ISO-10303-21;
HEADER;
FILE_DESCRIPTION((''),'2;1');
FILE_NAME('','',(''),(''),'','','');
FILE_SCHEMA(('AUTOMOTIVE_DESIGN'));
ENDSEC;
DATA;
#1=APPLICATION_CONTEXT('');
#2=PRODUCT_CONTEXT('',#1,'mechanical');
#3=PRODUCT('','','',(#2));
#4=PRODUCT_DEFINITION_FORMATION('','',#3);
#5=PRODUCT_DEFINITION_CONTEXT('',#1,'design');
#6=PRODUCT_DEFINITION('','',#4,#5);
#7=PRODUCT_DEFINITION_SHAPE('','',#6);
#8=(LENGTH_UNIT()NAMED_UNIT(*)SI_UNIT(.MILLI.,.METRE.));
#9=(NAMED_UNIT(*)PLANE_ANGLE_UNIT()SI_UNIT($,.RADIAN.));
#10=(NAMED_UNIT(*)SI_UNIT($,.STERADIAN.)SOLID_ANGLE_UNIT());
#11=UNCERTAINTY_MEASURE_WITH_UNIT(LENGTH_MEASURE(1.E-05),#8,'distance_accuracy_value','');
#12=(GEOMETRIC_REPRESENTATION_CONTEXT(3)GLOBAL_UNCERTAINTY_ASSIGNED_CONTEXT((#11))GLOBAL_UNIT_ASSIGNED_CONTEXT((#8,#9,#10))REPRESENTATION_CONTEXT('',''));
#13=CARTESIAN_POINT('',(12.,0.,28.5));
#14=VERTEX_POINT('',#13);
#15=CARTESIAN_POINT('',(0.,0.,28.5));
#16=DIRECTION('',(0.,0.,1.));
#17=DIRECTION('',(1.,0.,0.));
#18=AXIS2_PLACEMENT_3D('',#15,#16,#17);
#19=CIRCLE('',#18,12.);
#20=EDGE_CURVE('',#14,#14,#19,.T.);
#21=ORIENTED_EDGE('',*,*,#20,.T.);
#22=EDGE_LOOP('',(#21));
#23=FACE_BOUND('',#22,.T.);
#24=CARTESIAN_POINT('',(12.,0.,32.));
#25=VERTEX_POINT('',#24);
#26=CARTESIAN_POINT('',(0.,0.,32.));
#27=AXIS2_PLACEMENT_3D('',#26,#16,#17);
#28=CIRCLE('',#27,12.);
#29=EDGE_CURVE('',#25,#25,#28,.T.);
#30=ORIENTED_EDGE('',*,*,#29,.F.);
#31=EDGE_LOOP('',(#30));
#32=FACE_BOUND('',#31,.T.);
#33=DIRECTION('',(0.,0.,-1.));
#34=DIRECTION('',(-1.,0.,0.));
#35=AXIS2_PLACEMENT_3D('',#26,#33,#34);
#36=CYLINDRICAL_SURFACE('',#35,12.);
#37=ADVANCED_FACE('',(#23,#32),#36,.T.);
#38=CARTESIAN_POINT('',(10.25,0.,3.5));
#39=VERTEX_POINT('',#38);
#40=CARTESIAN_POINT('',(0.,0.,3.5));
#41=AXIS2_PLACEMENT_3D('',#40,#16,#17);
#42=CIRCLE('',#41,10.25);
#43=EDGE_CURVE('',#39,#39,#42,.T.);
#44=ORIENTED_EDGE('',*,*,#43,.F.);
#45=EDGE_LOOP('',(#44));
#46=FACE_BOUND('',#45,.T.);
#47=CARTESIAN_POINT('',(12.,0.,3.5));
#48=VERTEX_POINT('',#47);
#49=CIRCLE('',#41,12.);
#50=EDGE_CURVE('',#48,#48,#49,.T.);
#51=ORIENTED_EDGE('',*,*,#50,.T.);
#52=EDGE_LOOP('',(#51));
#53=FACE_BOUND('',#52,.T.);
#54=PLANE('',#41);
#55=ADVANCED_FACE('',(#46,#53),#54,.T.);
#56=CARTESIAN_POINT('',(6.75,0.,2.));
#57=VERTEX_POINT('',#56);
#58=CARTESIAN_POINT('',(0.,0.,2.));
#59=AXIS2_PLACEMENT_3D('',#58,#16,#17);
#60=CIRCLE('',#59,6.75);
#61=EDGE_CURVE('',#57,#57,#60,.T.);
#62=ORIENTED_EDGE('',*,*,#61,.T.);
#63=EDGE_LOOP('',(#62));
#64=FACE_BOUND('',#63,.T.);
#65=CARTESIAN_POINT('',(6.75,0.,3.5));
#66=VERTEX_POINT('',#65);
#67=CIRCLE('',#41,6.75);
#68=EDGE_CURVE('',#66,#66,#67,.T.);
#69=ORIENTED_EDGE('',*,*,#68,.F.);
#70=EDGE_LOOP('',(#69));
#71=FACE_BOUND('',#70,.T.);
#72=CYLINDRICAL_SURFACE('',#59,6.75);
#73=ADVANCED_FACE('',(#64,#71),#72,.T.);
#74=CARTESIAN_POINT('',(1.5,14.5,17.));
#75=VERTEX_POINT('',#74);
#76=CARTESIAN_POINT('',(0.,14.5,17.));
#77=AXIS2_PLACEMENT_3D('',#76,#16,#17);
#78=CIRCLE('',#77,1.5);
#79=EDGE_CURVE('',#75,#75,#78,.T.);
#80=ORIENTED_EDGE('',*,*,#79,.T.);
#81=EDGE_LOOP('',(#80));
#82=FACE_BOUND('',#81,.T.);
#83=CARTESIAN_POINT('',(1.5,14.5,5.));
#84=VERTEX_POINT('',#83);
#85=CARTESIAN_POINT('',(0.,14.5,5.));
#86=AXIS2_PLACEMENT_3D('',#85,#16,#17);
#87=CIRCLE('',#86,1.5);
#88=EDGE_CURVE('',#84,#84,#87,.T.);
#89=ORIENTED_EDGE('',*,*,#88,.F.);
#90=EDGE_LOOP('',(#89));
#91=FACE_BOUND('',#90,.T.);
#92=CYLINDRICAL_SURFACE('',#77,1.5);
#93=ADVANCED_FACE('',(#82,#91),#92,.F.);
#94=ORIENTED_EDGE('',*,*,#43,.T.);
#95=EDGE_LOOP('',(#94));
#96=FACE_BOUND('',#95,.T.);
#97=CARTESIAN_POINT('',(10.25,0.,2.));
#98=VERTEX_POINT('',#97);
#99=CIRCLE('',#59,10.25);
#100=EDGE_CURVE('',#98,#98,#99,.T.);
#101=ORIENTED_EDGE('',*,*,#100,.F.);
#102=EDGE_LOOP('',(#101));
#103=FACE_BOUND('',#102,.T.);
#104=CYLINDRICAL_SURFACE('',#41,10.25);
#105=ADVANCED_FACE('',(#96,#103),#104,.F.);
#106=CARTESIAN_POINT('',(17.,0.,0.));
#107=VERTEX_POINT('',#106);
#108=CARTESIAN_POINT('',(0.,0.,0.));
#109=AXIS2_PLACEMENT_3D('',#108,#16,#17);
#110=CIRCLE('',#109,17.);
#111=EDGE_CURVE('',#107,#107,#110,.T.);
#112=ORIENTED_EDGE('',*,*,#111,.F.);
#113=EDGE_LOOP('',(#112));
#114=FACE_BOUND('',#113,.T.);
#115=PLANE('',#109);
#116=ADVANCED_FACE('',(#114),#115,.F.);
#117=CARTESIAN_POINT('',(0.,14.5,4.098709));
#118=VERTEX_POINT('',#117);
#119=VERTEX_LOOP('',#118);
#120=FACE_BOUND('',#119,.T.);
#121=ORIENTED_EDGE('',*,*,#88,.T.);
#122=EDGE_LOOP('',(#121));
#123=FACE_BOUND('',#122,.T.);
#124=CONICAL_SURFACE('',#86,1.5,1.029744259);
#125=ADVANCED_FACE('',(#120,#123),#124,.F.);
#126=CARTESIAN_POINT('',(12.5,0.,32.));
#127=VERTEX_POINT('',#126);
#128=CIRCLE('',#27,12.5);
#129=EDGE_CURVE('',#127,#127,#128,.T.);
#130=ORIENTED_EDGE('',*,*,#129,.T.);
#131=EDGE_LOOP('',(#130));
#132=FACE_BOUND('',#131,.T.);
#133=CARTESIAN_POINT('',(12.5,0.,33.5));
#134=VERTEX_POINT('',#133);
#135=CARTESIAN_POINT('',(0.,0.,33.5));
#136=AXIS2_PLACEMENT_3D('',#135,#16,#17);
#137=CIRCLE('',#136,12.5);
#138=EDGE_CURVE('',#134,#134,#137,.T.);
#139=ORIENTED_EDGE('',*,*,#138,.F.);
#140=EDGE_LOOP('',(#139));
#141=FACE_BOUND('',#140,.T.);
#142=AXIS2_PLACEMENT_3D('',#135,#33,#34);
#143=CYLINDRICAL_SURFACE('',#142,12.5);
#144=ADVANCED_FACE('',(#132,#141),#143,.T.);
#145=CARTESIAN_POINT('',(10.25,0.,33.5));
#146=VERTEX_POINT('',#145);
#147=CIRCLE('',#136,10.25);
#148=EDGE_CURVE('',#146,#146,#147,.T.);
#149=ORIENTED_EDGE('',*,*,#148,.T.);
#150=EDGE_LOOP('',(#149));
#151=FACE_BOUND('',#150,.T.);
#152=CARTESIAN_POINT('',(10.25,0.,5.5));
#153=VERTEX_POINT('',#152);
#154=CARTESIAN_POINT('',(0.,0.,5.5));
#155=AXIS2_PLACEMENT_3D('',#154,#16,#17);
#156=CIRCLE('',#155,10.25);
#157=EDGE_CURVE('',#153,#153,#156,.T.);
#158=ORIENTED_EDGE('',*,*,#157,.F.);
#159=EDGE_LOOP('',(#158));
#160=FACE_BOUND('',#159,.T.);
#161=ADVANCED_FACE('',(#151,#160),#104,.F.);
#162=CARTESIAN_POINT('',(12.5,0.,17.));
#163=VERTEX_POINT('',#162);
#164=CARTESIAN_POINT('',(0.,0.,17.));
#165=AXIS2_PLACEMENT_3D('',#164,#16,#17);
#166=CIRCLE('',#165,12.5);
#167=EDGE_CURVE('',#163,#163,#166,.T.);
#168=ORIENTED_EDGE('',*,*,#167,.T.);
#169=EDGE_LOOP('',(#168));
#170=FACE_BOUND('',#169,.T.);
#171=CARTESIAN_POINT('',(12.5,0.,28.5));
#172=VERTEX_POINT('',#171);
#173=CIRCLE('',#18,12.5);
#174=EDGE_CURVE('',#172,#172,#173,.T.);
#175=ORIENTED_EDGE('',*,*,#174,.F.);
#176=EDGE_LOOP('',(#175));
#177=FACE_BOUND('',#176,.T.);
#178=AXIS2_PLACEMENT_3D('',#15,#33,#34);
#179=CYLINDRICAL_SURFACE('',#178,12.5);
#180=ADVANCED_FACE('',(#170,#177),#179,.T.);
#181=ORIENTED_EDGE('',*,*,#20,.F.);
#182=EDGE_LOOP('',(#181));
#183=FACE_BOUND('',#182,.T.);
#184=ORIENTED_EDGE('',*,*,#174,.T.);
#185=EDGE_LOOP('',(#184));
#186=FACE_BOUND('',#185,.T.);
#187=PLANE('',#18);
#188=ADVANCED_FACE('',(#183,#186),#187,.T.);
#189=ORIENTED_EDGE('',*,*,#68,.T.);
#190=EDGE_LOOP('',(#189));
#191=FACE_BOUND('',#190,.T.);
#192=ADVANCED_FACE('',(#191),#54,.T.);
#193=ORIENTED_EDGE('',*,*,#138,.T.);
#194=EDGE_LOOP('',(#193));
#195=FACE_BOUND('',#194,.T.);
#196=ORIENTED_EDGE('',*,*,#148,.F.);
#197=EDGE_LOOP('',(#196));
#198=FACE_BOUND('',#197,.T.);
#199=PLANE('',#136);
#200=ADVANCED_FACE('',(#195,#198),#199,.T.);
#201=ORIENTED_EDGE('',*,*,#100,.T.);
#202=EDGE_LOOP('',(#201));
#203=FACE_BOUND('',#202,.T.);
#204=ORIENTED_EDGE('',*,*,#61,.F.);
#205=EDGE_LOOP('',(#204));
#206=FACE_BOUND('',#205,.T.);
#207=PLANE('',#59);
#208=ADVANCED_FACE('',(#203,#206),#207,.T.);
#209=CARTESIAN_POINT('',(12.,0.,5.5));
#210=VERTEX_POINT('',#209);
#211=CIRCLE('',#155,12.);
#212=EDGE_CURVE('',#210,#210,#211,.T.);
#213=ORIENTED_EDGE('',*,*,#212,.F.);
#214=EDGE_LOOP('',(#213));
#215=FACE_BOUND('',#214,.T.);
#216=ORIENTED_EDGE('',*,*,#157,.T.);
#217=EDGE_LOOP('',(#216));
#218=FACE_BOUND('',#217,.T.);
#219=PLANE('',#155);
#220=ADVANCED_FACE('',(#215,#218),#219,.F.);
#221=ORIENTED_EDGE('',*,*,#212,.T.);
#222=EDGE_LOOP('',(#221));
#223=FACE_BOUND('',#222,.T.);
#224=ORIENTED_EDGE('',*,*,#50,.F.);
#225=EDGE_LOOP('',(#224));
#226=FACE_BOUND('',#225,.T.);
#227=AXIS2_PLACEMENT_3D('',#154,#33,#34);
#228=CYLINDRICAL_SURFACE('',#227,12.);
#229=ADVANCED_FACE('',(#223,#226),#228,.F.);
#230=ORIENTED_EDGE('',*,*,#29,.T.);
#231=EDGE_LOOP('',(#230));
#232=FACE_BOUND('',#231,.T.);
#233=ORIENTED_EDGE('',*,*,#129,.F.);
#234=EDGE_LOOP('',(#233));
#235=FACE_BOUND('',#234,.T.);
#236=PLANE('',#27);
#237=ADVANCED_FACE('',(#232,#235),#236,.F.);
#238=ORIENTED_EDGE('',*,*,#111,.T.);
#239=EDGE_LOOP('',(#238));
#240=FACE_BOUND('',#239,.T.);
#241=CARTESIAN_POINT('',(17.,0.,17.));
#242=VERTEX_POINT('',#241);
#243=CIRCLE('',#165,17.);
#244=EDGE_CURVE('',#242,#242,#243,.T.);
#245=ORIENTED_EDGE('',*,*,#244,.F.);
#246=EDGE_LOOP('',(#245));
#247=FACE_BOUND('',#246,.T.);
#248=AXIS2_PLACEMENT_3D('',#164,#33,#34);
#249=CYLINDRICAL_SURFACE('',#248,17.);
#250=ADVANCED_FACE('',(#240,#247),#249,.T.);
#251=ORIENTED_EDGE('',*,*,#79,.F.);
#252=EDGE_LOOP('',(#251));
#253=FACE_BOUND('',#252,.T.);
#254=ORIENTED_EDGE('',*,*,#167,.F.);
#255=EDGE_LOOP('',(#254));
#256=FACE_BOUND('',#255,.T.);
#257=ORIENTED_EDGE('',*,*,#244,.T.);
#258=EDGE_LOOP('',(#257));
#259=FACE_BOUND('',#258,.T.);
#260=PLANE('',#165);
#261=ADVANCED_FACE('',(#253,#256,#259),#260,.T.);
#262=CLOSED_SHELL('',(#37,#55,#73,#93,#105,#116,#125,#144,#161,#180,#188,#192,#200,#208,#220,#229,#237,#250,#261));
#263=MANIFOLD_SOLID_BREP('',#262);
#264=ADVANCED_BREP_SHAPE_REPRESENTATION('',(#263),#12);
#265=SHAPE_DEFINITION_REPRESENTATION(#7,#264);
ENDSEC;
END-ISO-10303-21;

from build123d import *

# Parameters (mm, degrees)
ESQUISSE1_R                       = 17
BOSS_EXTRU_1_DEPTH                = 17
ESQUISSE2_R                       = 12.5
BOSS_EXTRU_2_DEPTH                = 11.5
ESQUISSE3_R                       = 12
BOSS_EXTRU_3_DEPTH                = 3.5
ESQUISSE4_R                       = 12.5
BOSS_EXTRU_4_DEPTH                = 1.5
ESQUISSE5_R                       = 10.25
ENL_V_MAT_EXTRU_1_DEPTH           = 30
ESQUISSE6_R                       = 10.25
ESQUISSE6_R_2                     = 6.75
ENL_V_MAT_EXTRU_2_DEPTH           = 1.5
ESQUISSE7_R                       = 12
ESQUISSE7_R_2                     = 10.25
ENL_V_MAT_EXTRU_3_DEPTH           = 2
DIAM_TRE_DU_PER_AGE_3_0_3_1_D     = 3
DIAM_TRE_DU_PER_AGE_3_0_3_1_DEPTH = 12
DIAM_TRE_DU_PER_AGE_3_0_3_1_TIP   = 0.901290929


with BuildPart() as part:
    # Esquisse1 → Boss.-Extru.1 (new body)
    with BuildSketch(Plane.XY):
        Circle(ESQUISSE1_R)
    extrude(amount=BOSS_EXTRU_1_DEPTH)

    # Esquisse2 → Boss.-Extru.2 (add)
    with BuildSketch(Plane.XY.offset(17)):
        Circle(ESQUISSE2_R)
    extrude(amount=BOSS_EXTRU_2_DEPTH)

    # Esquisse3 → Boss.-Extru.3 (add)
    with BuildSketch(Plane.XY.offset(28.5)):
        Circle(ESQUISSE3_R)
    extrude(amount=BOSS_EXTRU_3_DEPTH)

    # Esquisse4 → Boss.-Extru.4 (add)
    with BuildSketch(Plane.XY.offset(32)):
        Circle(ESQUISSE4_R)
    extrude(amount=BOSS_EXTRU_4_DEPTH)

    # Esquisse5 → Enlèv. mat.-Extru.1 (cut)
    with BuildSketch(Plane.XY.offset(33.5)):
        Circle(ESQUISSE5_R)
    extrude(amount=-ENL_V_MAT_EXTRU_1_DEPTH, mode=Mode.SUBTRACT)

    # Esquisse6 → Enlèv. mat.-Extru.2 (cut)
    with BuildSketch(Plane.XY.offset(3.5)):
        Circle(ESQUISSE6_R)
        Circle(ESQUISSE6_R_2, mode=Mode.SUBTRACT)
    extrude(amount=-ENL_V_MAT_EXTRU_2_DEPTH, mode=Mode.SUBTRACT)

    # Esquisse7 → Enlèv. mat.-Extru.3 (cut)
    with BuildSketch(Plane.XY.offset(3.5)):
        Circle(ESQUISSE7_R)
        Circle(ESQUISSE7_R_2, mode=Mode.SUBTRACT)
    extrude(amount=ENL_V_MAT_EXTRU_3_DEPTH, mode=Mode.SUBTRACT)

    # Diamètre du perçage Ø3.0 (3)1
    with Locations(Plane.XY.offset(17)):
        with Locations((0, 14.5)):
            Hole(DIAM_TRE_DU_PER_AGE_3_0_3_1_D / 2, depth=DIAM_TRE_DU_PER_AGE_3_0_3_1_DEPTH)
            with Locations((0, 0, -(DIAM_TRE_DU_PER_AGE_3_0_3_1_DEPTH + DIAM_TRE_DU_PER_AGE_3_0_3_1_TIP / 2))):  # 118° drill point
                Cone(0, DIAM_TRE_DU_PER_AGE_3_0_3_1_D / 2, DIAM_TRE_DU_PER_AGE_3_0_3_1_TIP, mode=Mode.SUBTRACT)


solid = part.part
